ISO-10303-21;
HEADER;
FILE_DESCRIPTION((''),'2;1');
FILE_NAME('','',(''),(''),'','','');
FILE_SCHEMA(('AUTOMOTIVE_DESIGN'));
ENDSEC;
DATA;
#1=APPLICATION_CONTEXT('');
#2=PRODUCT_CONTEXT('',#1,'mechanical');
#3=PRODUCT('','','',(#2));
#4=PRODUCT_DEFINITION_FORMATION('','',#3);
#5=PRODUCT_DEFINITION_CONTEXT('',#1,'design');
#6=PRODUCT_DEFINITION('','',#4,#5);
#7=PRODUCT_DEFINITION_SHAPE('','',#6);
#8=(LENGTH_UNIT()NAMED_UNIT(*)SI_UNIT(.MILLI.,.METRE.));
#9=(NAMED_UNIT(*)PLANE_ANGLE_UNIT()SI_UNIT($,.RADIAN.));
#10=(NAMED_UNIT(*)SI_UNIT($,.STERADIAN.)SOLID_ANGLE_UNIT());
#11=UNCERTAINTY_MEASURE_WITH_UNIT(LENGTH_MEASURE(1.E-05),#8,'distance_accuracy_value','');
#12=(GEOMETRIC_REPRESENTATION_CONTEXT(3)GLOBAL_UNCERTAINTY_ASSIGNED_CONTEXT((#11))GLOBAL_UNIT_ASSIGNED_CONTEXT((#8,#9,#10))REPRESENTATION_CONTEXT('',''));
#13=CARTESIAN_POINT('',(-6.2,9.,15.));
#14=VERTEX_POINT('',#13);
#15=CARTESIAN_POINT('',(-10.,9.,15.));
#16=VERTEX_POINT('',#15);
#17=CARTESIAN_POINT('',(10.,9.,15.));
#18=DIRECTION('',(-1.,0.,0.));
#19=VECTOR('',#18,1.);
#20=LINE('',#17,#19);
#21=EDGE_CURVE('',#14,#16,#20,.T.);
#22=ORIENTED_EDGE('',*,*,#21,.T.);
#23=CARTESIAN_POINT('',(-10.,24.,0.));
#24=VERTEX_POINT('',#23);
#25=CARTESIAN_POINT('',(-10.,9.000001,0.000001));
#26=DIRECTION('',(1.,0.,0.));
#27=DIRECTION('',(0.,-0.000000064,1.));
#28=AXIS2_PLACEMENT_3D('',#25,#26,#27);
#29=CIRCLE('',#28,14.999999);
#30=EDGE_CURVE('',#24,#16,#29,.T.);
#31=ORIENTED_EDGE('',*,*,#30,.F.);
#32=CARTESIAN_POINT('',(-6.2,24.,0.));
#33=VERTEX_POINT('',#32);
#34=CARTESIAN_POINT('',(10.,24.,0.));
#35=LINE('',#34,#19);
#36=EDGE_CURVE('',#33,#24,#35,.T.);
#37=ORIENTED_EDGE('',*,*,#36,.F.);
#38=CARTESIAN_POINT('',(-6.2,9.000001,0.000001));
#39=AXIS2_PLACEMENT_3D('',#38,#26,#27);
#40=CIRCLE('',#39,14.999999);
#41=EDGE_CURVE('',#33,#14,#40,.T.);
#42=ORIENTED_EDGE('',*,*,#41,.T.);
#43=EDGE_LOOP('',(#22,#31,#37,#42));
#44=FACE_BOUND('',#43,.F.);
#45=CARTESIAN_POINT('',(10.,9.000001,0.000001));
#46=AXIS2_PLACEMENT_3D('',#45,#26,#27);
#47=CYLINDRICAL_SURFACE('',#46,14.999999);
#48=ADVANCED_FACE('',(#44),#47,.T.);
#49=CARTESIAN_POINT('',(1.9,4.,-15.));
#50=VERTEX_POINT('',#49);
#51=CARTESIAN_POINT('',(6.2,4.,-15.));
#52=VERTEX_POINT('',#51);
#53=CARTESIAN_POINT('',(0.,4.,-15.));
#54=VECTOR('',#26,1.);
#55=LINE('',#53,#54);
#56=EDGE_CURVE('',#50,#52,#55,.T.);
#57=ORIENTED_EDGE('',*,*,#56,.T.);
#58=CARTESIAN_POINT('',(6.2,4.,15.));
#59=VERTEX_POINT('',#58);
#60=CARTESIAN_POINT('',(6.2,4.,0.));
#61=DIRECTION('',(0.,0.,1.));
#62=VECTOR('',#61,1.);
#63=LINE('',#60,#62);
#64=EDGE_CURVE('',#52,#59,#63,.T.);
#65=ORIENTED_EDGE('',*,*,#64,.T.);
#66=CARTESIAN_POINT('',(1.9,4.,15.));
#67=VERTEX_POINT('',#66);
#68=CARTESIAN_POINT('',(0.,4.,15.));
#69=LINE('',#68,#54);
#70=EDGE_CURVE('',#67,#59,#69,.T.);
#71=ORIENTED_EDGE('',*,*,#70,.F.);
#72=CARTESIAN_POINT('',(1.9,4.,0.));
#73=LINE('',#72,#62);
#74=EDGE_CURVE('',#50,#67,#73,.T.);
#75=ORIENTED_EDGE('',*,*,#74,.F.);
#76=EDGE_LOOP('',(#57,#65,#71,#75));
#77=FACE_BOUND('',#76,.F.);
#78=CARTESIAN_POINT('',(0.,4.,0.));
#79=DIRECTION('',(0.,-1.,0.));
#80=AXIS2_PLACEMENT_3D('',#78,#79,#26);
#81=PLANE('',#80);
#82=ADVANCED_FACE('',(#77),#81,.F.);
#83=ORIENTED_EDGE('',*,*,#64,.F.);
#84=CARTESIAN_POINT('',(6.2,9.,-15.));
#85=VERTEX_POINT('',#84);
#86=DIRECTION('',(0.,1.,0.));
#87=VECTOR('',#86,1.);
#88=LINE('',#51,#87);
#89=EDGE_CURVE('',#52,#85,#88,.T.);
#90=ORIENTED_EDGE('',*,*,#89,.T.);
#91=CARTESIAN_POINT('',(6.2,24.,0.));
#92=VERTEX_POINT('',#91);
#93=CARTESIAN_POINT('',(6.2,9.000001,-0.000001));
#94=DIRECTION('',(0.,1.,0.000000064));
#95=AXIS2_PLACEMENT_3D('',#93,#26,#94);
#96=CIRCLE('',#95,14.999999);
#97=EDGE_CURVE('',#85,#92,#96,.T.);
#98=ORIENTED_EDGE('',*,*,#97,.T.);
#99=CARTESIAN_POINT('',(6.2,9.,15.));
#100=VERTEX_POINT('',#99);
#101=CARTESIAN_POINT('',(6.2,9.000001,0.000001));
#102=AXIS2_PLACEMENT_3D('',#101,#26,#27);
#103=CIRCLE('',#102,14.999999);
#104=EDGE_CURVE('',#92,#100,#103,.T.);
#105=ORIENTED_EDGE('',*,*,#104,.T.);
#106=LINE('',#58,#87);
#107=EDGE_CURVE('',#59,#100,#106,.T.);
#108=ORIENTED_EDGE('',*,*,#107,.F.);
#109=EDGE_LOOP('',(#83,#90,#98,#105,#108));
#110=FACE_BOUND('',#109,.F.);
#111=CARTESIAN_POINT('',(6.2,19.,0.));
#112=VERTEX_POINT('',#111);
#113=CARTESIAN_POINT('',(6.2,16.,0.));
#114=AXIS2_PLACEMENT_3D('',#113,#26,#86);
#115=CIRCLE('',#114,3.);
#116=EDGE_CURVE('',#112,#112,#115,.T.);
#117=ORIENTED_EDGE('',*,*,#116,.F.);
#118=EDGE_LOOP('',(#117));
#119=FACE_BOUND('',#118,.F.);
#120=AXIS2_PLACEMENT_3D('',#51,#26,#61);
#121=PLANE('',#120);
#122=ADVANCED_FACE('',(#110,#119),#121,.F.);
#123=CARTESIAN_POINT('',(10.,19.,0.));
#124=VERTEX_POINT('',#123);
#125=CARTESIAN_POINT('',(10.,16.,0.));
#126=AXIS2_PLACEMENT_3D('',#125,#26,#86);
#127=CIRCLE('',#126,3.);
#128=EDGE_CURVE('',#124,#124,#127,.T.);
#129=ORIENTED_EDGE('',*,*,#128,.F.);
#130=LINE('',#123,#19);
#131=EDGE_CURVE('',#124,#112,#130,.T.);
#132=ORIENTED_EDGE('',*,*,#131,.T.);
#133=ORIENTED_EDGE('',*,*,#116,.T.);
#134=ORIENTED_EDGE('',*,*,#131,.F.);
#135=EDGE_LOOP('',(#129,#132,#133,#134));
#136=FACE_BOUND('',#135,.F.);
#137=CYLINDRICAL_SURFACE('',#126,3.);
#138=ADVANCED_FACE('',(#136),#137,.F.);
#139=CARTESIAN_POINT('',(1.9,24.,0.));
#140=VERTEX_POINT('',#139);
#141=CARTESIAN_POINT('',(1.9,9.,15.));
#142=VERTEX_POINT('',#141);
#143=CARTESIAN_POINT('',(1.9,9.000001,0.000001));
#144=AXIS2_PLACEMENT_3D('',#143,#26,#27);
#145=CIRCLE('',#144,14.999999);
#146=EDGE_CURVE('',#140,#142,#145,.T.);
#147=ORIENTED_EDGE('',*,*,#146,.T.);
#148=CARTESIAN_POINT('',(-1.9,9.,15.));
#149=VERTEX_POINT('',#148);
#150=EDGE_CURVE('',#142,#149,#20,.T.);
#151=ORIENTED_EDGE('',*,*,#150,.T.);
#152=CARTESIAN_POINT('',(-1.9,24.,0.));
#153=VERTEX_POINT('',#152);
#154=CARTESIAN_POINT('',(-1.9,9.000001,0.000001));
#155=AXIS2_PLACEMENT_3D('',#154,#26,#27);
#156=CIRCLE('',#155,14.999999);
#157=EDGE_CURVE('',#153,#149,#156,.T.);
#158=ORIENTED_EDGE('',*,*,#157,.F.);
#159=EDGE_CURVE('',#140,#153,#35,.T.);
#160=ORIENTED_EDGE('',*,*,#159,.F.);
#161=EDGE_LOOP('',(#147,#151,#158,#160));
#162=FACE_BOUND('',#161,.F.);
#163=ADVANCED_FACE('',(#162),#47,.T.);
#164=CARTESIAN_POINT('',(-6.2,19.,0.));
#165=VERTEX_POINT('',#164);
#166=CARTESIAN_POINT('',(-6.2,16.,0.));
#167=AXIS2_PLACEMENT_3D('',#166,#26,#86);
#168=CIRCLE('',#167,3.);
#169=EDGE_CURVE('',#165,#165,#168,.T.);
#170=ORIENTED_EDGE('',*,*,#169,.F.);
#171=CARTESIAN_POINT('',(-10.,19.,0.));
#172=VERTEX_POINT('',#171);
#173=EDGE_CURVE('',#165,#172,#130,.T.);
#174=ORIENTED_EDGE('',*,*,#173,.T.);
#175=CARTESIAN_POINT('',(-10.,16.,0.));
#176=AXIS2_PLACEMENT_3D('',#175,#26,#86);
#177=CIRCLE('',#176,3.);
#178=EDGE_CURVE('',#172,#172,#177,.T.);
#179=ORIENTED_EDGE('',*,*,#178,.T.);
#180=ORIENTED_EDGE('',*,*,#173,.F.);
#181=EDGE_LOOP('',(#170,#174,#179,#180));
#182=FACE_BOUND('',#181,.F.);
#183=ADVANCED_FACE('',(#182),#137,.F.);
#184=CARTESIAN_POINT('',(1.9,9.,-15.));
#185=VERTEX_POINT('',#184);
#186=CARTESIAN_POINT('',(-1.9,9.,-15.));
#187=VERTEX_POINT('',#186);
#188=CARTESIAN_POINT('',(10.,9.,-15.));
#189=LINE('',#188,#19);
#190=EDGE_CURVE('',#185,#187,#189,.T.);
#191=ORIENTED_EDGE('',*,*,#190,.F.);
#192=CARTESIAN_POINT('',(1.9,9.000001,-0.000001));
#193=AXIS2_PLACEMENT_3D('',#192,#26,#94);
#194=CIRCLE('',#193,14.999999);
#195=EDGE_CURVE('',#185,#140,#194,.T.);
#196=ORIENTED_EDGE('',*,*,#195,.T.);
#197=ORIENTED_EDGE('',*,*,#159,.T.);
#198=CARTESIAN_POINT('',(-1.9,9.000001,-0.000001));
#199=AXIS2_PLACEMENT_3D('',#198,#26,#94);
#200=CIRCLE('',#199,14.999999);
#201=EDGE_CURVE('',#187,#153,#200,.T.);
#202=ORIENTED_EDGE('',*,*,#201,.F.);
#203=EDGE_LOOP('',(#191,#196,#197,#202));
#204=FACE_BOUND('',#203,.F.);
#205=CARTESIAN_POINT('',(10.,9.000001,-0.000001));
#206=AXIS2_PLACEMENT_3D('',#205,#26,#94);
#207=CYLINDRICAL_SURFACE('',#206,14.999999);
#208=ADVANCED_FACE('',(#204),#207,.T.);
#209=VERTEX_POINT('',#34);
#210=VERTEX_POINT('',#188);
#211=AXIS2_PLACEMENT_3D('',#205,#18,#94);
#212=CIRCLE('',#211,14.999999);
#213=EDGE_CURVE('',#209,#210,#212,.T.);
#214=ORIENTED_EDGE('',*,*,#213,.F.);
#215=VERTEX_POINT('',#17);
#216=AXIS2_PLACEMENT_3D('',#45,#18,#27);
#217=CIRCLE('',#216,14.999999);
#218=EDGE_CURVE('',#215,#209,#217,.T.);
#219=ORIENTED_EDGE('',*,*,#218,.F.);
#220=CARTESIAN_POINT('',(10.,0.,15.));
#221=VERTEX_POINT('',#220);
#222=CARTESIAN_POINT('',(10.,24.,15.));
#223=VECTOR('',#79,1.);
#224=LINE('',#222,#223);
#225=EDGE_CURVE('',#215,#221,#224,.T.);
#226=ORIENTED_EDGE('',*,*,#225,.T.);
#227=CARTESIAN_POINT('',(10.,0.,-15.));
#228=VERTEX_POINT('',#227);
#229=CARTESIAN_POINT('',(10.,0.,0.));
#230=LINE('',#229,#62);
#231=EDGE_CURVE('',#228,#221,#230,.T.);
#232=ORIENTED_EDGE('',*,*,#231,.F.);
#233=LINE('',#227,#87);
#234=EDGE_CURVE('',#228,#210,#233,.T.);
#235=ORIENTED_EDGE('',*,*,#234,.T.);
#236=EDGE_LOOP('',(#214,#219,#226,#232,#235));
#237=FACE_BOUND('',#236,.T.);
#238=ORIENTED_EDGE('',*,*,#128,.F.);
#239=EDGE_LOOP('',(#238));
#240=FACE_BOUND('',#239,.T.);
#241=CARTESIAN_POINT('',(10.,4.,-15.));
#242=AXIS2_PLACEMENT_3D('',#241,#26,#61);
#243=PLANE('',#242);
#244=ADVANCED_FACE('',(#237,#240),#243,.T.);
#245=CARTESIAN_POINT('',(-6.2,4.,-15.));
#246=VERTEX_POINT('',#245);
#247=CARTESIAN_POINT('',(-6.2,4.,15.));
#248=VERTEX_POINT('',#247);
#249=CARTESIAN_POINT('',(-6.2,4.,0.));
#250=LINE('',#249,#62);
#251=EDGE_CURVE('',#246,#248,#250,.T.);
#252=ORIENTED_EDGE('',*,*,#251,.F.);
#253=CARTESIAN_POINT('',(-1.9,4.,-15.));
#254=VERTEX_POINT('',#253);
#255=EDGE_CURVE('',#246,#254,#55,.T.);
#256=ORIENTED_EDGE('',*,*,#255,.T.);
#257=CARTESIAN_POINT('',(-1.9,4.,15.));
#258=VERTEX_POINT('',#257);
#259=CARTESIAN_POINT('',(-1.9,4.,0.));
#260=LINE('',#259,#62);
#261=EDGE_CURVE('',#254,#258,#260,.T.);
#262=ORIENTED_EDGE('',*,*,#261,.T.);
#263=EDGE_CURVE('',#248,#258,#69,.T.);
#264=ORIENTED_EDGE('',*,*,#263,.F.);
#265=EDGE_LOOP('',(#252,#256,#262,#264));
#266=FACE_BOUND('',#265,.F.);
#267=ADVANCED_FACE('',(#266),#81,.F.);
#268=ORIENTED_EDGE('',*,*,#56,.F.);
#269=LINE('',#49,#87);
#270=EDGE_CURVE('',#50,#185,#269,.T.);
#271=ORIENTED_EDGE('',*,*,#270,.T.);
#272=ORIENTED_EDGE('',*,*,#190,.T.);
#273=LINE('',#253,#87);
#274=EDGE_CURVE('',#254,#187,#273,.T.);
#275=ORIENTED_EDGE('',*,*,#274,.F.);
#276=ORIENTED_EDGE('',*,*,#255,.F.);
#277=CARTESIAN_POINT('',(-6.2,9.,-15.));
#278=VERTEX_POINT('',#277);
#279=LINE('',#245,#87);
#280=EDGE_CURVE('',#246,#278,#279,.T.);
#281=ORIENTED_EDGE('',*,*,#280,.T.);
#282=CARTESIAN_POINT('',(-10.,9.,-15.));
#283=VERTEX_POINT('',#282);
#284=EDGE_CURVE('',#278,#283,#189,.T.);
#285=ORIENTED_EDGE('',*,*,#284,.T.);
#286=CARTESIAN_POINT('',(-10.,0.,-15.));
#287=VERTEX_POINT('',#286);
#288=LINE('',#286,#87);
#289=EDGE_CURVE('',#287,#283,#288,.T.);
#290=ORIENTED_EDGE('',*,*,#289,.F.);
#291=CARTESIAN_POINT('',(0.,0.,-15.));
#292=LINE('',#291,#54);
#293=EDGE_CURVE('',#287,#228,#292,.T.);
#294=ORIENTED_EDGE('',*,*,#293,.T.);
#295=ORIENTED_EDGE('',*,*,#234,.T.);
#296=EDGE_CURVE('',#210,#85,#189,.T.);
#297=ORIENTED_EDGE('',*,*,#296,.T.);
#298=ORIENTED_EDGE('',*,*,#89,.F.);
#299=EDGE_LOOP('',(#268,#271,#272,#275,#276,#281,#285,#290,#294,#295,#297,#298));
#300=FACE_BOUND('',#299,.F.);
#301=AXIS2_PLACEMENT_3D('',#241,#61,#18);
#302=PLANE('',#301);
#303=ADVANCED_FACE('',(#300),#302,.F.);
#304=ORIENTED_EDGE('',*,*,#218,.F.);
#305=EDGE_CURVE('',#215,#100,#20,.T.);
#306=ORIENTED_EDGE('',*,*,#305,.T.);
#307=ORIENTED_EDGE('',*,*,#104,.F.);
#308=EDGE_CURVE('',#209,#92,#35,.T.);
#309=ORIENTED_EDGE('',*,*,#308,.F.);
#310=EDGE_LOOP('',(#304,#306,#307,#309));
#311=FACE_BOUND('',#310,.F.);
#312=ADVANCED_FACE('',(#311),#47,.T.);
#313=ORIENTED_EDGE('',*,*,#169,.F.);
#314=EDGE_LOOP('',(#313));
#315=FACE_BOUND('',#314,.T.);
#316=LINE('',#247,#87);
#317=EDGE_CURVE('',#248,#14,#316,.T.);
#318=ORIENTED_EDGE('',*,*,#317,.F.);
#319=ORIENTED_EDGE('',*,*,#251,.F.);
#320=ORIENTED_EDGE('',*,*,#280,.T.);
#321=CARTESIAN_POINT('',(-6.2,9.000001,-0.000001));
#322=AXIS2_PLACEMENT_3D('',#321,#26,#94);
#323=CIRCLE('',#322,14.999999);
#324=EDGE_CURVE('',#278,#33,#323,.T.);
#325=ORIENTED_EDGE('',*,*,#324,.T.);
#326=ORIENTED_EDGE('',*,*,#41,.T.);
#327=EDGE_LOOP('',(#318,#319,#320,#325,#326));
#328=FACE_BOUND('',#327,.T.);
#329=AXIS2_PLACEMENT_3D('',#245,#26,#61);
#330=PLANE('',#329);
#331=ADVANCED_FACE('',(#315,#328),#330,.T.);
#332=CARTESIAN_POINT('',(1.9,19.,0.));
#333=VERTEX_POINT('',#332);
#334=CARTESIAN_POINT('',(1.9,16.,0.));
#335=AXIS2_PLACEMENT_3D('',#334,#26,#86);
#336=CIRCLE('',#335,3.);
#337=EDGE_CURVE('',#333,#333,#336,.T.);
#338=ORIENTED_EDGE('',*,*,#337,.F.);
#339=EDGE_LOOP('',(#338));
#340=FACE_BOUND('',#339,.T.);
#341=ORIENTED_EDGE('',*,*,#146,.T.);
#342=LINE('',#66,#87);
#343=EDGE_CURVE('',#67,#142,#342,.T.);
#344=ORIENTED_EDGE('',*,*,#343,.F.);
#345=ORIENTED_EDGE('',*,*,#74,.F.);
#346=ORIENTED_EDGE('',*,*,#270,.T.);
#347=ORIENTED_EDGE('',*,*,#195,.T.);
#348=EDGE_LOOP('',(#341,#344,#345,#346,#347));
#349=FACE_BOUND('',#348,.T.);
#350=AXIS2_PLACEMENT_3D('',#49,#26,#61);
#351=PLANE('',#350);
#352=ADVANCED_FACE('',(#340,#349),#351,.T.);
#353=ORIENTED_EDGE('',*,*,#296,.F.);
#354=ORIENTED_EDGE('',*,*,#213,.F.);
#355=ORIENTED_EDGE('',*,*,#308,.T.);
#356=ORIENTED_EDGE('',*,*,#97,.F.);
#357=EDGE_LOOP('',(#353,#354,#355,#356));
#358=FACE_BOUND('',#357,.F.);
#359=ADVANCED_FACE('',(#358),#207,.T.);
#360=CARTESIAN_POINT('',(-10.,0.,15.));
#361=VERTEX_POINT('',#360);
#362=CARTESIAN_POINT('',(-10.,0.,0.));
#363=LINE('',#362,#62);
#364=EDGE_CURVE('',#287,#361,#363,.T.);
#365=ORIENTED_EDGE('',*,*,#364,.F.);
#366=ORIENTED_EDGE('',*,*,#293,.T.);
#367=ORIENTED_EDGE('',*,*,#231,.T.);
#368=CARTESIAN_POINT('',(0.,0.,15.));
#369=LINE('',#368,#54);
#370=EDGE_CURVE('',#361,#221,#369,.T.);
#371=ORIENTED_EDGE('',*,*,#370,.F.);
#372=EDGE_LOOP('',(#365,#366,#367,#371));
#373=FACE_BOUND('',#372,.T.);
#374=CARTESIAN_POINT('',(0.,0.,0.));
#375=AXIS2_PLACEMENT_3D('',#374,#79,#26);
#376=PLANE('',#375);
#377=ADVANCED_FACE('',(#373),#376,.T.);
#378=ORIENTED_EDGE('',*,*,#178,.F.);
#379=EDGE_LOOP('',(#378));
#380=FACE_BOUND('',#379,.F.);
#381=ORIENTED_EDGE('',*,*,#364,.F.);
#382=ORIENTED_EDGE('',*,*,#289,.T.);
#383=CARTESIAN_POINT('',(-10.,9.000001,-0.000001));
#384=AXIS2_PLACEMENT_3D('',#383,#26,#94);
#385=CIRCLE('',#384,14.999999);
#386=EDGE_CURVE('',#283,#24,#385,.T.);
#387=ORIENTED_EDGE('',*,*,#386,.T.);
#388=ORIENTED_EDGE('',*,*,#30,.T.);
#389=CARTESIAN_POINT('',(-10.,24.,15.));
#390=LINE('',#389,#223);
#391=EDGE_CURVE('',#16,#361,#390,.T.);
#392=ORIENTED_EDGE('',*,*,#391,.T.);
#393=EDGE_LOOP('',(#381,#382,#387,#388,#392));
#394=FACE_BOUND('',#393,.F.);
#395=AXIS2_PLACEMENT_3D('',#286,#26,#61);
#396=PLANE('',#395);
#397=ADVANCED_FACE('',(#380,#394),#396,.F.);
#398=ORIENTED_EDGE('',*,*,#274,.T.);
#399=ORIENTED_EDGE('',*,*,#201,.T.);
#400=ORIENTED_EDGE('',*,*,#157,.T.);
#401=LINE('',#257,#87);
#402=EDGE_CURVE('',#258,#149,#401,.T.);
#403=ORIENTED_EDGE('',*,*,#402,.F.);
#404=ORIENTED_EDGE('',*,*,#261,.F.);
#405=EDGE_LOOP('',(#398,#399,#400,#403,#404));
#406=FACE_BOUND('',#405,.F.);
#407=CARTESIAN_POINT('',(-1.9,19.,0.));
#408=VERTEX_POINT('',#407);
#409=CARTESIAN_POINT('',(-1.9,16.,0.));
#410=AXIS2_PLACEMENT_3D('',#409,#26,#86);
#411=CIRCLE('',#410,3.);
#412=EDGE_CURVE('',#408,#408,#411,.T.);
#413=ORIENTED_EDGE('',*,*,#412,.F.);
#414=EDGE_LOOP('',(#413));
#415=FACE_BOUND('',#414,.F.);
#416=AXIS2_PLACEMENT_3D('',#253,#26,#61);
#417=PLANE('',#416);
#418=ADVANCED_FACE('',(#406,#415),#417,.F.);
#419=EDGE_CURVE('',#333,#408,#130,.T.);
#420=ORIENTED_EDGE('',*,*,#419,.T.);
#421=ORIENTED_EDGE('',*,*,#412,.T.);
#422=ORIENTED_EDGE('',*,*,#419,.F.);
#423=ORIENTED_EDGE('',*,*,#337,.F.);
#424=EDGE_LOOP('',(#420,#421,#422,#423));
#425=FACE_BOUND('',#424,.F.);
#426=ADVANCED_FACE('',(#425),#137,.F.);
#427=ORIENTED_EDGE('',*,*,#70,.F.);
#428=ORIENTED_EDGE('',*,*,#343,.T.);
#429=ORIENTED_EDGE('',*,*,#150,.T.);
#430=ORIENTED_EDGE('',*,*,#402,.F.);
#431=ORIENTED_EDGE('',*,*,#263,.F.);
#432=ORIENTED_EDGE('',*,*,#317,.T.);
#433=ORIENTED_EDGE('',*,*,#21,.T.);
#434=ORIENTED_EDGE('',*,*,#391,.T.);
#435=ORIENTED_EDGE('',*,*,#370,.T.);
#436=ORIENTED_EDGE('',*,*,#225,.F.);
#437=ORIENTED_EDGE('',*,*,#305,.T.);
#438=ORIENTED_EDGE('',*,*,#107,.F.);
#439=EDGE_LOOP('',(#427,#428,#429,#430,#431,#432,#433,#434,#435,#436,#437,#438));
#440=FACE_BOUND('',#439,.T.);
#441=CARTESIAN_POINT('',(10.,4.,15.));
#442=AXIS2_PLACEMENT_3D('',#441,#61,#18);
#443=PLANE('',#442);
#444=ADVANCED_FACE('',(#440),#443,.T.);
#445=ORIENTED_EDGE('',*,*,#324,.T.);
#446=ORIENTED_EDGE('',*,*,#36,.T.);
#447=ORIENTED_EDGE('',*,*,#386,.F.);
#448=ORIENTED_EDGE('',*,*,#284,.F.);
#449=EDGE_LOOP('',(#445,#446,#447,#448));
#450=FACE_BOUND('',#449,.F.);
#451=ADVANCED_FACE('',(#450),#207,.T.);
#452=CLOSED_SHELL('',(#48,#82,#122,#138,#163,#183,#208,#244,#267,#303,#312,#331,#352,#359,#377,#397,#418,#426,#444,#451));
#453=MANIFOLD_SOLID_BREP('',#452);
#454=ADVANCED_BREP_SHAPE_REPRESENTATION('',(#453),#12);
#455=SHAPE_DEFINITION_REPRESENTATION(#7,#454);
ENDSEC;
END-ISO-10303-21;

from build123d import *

# Parameters (mm, degrees)
F0_W     = 20
F0_H     = 30
F1_DEPTH = 4
F2_W     = 3.8
F2_H     = 30
F3_DEPTH = 20
F5_DEPTH = 25
F6_R     = 3
F7_DEPTH = 25


with BuildPart() as f1:
    # F0 (on Front) → F1 (new body)
    with BuildSketch(Plane.XZ):
        Rectangle(F0_W, F0_H)
    extrude(amount=-F1_DEPTH)

    # F2 (on face) → F3 (join)
    with BuildSketch(Plane(origin=(0, 4, 0), x_dir=(-1, 0, 0), z_dir=(0, 1, 0))):
        with Locations((-8.1, 0)):
            Rectangle(F2_W, F2_H)
        with Locations((8.1, 0)):
            Rectangle(F2_W, F2_H)
        Rectangle(F2_W, F2_H)
    extrude(amount=F3_DEPTH)

    # F4 (on face) → F5 (cut)
    with BuildSketch(Plane.YZ.offset(10)):
        with BuildLine():
            ThreePointArc((9, 15), (19.606602, 10.606602), (24, 0))
            Line((24, 0), (24, 15))
            Line((24, 15), (9, 15))
        make_face()
        with BuildLine():
            Line((24, -15), (24, 0))
            ThreePointArc((24, 0), (19.606602, -10.606602), (9, -15))
            Line((9, -15), (24, -15))
        make_face()
    extrude(amount=-F5_DEPTH, mode=Mode.SUBTRACT)

    # F6 (on face) → F7 (cut)
    with BuildSketch(Plane.YZ.offset(10)):
        with Locations((16, 0)):
            Circle(F6_R)
    extrude(amount=-F7_DEPTH, mode=Mode.SUBTRACT)


solid = f1.part
